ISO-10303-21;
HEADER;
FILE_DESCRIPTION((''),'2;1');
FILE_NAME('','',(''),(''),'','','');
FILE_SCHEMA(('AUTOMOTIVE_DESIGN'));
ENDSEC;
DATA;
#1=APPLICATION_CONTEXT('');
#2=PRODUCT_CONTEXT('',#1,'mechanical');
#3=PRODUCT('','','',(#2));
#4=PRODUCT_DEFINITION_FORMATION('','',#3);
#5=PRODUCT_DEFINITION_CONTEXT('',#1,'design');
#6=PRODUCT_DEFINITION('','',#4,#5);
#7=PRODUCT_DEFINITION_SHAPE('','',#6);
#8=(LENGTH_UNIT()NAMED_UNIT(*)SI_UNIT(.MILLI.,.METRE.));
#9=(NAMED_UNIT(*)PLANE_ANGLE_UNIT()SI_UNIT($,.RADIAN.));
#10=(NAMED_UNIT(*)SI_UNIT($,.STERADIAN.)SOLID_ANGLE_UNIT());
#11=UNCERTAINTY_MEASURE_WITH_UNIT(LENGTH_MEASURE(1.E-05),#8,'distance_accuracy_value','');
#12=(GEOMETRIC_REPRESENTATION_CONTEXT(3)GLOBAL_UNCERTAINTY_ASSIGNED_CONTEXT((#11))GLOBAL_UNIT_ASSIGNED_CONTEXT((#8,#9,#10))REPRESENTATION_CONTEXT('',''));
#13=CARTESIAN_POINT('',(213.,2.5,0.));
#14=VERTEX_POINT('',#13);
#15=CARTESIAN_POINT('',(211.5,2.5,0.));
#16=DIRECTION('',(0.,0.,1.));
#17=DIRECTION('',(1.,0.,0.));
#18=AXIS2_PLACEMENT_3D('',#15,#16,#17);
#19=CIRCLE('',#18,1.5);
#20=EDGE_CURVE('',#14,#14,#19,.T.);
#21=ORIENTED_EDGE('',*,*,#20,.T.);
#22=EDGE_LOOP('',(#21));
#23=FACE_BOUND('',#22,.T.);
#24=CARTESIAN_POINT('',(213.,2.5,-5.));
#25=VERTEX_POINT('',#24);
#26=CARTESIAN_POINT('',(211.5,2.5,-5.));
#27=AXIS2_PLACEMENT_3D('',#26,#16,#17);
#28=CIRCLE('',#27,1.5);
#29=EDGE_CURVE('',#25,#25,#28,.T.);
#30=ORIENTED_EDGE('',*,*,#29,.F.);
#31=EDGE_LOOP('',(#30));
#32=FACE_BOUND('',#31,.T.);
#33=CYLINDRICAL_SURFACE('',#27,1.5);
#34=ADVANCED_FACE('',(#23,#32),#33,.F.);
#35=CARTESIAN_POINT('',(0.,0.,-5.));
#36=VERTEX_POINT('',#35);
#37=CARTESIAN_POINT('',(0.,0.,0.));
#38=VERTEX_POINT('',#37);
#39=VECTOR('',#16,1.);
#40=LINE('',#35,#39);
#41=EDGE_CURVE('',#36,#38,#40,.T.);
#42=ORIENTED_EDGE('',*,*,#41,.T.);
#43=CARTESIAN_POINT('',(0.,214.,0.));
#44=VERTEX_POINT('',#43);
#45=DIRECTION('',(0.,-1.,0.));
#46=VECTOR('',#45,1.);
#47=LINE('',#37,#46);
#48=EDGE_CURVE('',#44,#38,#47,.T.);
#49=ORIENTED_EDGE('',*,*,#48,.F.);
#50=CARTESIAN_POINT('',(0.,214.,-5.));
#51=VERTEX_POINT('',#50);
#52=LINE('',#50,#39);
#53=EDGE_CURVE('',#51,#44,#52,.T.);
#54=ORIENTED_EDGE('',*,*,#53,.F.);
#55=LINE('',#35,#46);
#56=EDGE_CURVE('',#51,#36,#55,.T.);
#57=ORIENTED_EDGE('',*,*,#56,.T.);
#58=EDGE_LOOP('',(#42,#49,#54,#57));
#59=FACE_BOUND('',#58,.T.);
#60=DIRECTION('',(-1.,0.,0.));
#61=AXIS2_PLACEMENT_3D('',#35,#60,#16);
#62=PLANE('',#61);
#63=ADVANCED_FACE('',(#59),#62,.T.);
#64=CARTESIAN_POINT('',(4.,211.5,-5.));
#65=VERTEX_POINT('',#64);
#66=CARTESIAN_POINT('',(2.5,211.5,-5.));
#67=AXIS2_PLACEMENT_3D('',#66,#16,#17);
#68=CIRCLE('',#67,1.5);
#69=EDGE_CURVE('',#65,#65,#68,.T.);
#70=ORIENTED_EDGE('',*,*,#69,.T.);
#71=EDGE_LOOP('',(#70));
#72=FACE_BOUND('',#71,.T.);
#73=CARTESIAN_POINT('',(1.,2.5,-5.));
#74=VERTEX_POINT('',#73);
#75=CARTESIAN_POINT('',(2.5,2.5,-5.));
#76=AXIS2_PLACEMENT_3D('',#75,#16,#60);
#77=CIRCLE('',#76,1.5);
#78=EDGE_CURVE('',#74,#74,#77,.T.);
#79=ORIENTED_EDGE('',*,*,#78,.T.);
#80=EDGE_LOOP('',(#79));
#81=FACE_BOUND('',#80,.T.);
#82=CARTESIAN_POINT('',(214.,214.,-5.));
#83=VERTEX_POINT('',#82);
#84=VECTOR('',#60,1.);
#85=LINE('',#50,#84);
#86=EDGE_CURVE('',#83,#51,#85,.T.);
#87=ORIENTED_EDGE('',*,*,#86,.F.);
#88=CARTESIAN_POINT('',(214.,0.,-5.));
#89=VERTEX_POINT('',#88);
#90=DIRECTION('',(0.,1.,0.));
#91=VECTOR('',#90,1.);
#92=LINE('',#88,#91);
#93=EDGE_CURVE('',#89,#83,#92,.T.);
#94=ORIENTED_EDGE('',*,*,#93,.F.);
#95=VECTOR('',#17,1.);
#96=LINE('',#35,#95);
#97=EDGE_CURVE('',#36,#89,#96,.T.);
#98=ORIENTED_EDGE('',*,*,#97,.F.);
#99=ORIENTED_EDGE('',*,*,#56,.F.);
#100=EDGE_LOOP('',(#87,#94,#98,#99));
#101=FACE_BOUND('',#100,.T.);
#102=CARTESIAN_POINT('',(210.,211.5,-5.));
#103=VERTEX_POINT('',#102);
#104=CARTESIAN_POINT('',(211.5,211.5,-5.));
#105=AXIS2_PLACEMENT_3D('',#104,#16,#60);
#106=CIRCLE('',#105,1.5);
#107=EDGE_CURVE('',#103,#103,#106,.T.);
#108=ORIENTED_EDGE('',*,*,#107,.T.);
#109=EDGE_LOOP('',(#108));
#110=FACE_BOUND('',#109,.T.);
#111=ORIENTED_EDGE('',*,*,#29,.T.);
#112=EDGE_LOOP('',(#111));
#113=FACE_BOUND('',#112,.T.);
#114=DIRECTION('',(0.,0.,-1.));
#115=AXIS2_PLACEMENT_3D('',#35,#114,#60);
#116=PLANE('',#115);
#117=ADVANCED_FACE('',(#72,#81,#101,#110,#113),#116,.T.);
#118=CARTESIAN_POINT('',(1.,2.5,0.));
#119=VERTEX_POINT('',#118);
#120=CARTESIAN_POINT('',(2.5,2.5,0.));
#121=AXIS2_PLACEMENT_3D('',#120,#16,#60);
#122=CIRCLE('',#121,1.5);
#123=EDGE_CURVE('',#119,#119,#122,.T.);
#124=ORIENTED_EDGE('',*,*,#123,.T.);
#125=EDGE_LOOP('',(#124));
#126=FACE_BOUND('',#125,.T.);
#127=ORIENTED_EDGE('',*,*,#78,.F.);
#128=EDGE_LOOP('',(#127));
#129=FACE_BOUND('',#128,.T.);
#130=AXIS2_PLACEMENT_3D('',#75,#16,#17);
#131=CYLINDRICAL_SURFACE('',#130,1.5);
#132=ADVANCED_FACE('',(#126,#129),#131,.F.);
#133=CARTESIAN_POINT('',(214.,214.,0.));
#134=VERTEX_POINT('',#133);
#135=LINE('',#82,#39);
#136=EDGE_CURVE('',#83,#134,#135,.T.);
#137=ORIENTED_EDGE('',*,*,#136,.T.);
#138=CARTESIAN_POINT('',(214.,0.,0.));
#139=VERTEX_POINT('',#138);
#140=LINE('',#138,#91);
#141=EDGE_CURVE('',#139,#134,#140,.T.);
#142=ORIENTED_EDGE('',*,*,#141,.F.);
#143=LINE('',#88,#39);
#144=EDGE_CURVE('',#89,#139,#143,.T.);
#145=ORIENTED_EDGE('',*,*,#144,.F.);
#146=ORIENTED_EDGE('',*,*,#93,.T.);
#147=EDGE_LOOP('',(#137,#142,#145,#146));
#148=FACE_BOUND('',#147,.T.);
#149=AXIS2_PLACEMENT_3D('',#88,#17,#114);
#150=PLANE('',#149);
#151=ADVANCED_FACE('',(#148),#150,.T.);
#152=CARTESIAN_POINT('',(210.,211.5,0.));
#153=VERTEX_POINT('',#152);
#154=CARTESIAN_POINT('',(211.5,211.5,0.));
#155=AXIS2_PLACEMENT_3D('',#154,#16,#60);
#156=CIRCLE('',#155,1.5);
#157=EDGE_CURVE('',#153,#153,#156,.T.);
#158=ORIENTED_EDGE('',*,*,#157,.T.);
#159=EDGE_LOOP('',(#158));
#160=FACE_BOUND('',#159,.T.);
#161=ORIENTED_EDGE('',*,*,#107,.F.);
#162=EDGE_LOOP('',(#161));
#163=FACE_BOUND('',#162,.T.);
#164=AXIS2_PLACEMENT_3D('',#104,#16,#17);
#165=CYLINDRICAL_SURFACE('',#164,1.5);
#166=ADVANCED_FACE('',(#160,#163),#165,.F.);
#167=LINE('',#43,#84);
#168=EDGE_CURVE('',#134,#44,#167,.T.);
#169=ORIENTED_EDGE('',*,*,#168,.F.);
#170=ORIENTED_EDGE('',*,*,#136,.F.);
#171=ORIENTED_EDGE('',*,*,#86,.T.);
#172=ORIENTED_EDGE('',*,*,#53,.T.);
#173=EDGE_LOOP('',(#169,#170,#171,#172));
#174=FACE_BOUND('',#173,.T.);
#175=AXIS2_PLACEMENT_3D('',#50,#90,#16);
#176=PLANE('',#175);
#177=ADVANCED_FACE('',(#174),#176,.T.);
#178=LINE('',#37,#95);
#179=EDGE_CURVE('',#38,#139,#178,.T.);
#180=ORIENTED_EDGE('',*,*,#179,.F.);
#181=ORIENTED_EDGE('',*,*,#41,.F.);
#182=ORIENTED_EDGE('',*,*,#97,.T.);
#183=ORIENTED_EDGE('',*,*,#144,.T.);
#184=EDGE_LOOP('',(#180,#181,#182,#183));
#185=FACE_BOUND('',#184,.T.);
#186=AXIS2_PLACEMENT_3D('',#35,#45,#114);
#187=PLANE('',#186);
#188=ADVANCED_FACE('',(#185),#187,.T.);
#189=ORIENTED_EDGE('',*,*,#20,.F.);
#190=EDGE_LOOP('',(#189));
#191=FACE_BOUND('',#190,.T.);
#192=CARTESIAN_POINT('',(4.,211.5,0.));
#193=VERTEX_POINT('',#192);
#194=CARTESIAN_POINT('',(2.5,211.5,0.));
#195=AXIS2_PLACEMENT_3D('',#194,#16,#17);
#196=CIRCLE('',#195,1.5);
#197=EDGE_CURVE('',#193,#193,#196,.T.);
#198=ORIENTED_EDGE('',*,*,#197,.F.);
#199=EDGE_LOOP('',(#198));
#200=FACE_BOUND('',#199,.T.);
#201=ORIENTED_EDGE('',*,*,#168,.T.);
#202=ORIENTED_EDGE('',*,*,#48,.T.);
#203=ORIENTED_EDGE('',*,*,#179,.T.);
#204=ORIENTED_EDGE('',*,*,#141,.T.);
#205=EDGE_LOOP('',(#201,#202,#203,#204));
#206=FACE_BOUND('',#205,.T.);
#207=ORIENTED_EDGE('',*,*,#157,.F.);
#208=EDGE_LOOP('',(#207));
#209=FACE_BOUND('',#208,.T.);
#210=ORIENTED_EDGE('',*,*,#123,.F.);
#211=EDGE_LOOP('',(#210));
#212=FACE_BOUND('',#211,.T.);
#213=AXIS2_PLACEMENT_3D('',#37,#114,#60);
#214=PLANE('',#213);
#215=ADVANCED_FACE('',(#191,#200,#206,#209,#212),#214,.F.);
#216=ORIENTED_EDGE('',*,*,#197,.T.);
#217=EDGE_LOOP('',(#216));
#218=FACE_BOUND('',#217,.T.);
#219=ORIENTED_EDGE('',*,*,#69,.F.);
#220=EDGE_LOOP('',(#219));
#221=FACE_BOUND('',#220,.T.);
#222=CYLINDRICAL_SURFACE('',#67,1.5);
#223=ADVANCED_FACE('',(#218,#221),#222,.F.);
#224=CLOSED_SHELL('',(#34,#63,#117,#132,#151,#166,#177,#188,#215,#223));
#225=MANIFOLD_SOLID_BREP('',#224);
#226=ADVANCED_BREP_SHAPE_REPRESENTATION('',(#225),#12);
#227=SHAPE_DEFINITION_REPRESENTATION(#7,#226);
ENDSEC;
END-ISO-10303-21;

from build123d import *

# Parameters (mm, degrees)
SCHIZZO1_W                   = 214
SCHIZZO1_H                   = 214
SCHIZZO1_R                   = 1.5
ESTRUSIONE_ESTRUSIONE1_DEPTH = 5


with BuildPart() as part:
    # Schizzo1 → Estrusione-Estrusione1 (new body)
    with BuildSketch(Plane.XY):
        with Locations((107, 107)):
            Rectangle(SCHIZZO1_W, SCHIZZO1_H)
        with Locations((2.5, 211.5)):
            Circle(SCHIZZO1_R, mode=Mode.SUBTRACT)
        with Locations((211.5, 211.5)):
            Circle(SCHIZZO1_R, mode=Mode.SUBTRACT)
        with Locations((2.5, 2.5)):
            Circle(SCHIZZO1_R, mode=Mode.SUBTRACT)
        with Locations((211.5, 2.5)):
            Circle(SCHIZZO1_R, mode=Mode.SUBTRACT)
    extrude(amount=-ESTRUSIONE_ESTRUSIONE1_DEPTH)


solid = part.part
